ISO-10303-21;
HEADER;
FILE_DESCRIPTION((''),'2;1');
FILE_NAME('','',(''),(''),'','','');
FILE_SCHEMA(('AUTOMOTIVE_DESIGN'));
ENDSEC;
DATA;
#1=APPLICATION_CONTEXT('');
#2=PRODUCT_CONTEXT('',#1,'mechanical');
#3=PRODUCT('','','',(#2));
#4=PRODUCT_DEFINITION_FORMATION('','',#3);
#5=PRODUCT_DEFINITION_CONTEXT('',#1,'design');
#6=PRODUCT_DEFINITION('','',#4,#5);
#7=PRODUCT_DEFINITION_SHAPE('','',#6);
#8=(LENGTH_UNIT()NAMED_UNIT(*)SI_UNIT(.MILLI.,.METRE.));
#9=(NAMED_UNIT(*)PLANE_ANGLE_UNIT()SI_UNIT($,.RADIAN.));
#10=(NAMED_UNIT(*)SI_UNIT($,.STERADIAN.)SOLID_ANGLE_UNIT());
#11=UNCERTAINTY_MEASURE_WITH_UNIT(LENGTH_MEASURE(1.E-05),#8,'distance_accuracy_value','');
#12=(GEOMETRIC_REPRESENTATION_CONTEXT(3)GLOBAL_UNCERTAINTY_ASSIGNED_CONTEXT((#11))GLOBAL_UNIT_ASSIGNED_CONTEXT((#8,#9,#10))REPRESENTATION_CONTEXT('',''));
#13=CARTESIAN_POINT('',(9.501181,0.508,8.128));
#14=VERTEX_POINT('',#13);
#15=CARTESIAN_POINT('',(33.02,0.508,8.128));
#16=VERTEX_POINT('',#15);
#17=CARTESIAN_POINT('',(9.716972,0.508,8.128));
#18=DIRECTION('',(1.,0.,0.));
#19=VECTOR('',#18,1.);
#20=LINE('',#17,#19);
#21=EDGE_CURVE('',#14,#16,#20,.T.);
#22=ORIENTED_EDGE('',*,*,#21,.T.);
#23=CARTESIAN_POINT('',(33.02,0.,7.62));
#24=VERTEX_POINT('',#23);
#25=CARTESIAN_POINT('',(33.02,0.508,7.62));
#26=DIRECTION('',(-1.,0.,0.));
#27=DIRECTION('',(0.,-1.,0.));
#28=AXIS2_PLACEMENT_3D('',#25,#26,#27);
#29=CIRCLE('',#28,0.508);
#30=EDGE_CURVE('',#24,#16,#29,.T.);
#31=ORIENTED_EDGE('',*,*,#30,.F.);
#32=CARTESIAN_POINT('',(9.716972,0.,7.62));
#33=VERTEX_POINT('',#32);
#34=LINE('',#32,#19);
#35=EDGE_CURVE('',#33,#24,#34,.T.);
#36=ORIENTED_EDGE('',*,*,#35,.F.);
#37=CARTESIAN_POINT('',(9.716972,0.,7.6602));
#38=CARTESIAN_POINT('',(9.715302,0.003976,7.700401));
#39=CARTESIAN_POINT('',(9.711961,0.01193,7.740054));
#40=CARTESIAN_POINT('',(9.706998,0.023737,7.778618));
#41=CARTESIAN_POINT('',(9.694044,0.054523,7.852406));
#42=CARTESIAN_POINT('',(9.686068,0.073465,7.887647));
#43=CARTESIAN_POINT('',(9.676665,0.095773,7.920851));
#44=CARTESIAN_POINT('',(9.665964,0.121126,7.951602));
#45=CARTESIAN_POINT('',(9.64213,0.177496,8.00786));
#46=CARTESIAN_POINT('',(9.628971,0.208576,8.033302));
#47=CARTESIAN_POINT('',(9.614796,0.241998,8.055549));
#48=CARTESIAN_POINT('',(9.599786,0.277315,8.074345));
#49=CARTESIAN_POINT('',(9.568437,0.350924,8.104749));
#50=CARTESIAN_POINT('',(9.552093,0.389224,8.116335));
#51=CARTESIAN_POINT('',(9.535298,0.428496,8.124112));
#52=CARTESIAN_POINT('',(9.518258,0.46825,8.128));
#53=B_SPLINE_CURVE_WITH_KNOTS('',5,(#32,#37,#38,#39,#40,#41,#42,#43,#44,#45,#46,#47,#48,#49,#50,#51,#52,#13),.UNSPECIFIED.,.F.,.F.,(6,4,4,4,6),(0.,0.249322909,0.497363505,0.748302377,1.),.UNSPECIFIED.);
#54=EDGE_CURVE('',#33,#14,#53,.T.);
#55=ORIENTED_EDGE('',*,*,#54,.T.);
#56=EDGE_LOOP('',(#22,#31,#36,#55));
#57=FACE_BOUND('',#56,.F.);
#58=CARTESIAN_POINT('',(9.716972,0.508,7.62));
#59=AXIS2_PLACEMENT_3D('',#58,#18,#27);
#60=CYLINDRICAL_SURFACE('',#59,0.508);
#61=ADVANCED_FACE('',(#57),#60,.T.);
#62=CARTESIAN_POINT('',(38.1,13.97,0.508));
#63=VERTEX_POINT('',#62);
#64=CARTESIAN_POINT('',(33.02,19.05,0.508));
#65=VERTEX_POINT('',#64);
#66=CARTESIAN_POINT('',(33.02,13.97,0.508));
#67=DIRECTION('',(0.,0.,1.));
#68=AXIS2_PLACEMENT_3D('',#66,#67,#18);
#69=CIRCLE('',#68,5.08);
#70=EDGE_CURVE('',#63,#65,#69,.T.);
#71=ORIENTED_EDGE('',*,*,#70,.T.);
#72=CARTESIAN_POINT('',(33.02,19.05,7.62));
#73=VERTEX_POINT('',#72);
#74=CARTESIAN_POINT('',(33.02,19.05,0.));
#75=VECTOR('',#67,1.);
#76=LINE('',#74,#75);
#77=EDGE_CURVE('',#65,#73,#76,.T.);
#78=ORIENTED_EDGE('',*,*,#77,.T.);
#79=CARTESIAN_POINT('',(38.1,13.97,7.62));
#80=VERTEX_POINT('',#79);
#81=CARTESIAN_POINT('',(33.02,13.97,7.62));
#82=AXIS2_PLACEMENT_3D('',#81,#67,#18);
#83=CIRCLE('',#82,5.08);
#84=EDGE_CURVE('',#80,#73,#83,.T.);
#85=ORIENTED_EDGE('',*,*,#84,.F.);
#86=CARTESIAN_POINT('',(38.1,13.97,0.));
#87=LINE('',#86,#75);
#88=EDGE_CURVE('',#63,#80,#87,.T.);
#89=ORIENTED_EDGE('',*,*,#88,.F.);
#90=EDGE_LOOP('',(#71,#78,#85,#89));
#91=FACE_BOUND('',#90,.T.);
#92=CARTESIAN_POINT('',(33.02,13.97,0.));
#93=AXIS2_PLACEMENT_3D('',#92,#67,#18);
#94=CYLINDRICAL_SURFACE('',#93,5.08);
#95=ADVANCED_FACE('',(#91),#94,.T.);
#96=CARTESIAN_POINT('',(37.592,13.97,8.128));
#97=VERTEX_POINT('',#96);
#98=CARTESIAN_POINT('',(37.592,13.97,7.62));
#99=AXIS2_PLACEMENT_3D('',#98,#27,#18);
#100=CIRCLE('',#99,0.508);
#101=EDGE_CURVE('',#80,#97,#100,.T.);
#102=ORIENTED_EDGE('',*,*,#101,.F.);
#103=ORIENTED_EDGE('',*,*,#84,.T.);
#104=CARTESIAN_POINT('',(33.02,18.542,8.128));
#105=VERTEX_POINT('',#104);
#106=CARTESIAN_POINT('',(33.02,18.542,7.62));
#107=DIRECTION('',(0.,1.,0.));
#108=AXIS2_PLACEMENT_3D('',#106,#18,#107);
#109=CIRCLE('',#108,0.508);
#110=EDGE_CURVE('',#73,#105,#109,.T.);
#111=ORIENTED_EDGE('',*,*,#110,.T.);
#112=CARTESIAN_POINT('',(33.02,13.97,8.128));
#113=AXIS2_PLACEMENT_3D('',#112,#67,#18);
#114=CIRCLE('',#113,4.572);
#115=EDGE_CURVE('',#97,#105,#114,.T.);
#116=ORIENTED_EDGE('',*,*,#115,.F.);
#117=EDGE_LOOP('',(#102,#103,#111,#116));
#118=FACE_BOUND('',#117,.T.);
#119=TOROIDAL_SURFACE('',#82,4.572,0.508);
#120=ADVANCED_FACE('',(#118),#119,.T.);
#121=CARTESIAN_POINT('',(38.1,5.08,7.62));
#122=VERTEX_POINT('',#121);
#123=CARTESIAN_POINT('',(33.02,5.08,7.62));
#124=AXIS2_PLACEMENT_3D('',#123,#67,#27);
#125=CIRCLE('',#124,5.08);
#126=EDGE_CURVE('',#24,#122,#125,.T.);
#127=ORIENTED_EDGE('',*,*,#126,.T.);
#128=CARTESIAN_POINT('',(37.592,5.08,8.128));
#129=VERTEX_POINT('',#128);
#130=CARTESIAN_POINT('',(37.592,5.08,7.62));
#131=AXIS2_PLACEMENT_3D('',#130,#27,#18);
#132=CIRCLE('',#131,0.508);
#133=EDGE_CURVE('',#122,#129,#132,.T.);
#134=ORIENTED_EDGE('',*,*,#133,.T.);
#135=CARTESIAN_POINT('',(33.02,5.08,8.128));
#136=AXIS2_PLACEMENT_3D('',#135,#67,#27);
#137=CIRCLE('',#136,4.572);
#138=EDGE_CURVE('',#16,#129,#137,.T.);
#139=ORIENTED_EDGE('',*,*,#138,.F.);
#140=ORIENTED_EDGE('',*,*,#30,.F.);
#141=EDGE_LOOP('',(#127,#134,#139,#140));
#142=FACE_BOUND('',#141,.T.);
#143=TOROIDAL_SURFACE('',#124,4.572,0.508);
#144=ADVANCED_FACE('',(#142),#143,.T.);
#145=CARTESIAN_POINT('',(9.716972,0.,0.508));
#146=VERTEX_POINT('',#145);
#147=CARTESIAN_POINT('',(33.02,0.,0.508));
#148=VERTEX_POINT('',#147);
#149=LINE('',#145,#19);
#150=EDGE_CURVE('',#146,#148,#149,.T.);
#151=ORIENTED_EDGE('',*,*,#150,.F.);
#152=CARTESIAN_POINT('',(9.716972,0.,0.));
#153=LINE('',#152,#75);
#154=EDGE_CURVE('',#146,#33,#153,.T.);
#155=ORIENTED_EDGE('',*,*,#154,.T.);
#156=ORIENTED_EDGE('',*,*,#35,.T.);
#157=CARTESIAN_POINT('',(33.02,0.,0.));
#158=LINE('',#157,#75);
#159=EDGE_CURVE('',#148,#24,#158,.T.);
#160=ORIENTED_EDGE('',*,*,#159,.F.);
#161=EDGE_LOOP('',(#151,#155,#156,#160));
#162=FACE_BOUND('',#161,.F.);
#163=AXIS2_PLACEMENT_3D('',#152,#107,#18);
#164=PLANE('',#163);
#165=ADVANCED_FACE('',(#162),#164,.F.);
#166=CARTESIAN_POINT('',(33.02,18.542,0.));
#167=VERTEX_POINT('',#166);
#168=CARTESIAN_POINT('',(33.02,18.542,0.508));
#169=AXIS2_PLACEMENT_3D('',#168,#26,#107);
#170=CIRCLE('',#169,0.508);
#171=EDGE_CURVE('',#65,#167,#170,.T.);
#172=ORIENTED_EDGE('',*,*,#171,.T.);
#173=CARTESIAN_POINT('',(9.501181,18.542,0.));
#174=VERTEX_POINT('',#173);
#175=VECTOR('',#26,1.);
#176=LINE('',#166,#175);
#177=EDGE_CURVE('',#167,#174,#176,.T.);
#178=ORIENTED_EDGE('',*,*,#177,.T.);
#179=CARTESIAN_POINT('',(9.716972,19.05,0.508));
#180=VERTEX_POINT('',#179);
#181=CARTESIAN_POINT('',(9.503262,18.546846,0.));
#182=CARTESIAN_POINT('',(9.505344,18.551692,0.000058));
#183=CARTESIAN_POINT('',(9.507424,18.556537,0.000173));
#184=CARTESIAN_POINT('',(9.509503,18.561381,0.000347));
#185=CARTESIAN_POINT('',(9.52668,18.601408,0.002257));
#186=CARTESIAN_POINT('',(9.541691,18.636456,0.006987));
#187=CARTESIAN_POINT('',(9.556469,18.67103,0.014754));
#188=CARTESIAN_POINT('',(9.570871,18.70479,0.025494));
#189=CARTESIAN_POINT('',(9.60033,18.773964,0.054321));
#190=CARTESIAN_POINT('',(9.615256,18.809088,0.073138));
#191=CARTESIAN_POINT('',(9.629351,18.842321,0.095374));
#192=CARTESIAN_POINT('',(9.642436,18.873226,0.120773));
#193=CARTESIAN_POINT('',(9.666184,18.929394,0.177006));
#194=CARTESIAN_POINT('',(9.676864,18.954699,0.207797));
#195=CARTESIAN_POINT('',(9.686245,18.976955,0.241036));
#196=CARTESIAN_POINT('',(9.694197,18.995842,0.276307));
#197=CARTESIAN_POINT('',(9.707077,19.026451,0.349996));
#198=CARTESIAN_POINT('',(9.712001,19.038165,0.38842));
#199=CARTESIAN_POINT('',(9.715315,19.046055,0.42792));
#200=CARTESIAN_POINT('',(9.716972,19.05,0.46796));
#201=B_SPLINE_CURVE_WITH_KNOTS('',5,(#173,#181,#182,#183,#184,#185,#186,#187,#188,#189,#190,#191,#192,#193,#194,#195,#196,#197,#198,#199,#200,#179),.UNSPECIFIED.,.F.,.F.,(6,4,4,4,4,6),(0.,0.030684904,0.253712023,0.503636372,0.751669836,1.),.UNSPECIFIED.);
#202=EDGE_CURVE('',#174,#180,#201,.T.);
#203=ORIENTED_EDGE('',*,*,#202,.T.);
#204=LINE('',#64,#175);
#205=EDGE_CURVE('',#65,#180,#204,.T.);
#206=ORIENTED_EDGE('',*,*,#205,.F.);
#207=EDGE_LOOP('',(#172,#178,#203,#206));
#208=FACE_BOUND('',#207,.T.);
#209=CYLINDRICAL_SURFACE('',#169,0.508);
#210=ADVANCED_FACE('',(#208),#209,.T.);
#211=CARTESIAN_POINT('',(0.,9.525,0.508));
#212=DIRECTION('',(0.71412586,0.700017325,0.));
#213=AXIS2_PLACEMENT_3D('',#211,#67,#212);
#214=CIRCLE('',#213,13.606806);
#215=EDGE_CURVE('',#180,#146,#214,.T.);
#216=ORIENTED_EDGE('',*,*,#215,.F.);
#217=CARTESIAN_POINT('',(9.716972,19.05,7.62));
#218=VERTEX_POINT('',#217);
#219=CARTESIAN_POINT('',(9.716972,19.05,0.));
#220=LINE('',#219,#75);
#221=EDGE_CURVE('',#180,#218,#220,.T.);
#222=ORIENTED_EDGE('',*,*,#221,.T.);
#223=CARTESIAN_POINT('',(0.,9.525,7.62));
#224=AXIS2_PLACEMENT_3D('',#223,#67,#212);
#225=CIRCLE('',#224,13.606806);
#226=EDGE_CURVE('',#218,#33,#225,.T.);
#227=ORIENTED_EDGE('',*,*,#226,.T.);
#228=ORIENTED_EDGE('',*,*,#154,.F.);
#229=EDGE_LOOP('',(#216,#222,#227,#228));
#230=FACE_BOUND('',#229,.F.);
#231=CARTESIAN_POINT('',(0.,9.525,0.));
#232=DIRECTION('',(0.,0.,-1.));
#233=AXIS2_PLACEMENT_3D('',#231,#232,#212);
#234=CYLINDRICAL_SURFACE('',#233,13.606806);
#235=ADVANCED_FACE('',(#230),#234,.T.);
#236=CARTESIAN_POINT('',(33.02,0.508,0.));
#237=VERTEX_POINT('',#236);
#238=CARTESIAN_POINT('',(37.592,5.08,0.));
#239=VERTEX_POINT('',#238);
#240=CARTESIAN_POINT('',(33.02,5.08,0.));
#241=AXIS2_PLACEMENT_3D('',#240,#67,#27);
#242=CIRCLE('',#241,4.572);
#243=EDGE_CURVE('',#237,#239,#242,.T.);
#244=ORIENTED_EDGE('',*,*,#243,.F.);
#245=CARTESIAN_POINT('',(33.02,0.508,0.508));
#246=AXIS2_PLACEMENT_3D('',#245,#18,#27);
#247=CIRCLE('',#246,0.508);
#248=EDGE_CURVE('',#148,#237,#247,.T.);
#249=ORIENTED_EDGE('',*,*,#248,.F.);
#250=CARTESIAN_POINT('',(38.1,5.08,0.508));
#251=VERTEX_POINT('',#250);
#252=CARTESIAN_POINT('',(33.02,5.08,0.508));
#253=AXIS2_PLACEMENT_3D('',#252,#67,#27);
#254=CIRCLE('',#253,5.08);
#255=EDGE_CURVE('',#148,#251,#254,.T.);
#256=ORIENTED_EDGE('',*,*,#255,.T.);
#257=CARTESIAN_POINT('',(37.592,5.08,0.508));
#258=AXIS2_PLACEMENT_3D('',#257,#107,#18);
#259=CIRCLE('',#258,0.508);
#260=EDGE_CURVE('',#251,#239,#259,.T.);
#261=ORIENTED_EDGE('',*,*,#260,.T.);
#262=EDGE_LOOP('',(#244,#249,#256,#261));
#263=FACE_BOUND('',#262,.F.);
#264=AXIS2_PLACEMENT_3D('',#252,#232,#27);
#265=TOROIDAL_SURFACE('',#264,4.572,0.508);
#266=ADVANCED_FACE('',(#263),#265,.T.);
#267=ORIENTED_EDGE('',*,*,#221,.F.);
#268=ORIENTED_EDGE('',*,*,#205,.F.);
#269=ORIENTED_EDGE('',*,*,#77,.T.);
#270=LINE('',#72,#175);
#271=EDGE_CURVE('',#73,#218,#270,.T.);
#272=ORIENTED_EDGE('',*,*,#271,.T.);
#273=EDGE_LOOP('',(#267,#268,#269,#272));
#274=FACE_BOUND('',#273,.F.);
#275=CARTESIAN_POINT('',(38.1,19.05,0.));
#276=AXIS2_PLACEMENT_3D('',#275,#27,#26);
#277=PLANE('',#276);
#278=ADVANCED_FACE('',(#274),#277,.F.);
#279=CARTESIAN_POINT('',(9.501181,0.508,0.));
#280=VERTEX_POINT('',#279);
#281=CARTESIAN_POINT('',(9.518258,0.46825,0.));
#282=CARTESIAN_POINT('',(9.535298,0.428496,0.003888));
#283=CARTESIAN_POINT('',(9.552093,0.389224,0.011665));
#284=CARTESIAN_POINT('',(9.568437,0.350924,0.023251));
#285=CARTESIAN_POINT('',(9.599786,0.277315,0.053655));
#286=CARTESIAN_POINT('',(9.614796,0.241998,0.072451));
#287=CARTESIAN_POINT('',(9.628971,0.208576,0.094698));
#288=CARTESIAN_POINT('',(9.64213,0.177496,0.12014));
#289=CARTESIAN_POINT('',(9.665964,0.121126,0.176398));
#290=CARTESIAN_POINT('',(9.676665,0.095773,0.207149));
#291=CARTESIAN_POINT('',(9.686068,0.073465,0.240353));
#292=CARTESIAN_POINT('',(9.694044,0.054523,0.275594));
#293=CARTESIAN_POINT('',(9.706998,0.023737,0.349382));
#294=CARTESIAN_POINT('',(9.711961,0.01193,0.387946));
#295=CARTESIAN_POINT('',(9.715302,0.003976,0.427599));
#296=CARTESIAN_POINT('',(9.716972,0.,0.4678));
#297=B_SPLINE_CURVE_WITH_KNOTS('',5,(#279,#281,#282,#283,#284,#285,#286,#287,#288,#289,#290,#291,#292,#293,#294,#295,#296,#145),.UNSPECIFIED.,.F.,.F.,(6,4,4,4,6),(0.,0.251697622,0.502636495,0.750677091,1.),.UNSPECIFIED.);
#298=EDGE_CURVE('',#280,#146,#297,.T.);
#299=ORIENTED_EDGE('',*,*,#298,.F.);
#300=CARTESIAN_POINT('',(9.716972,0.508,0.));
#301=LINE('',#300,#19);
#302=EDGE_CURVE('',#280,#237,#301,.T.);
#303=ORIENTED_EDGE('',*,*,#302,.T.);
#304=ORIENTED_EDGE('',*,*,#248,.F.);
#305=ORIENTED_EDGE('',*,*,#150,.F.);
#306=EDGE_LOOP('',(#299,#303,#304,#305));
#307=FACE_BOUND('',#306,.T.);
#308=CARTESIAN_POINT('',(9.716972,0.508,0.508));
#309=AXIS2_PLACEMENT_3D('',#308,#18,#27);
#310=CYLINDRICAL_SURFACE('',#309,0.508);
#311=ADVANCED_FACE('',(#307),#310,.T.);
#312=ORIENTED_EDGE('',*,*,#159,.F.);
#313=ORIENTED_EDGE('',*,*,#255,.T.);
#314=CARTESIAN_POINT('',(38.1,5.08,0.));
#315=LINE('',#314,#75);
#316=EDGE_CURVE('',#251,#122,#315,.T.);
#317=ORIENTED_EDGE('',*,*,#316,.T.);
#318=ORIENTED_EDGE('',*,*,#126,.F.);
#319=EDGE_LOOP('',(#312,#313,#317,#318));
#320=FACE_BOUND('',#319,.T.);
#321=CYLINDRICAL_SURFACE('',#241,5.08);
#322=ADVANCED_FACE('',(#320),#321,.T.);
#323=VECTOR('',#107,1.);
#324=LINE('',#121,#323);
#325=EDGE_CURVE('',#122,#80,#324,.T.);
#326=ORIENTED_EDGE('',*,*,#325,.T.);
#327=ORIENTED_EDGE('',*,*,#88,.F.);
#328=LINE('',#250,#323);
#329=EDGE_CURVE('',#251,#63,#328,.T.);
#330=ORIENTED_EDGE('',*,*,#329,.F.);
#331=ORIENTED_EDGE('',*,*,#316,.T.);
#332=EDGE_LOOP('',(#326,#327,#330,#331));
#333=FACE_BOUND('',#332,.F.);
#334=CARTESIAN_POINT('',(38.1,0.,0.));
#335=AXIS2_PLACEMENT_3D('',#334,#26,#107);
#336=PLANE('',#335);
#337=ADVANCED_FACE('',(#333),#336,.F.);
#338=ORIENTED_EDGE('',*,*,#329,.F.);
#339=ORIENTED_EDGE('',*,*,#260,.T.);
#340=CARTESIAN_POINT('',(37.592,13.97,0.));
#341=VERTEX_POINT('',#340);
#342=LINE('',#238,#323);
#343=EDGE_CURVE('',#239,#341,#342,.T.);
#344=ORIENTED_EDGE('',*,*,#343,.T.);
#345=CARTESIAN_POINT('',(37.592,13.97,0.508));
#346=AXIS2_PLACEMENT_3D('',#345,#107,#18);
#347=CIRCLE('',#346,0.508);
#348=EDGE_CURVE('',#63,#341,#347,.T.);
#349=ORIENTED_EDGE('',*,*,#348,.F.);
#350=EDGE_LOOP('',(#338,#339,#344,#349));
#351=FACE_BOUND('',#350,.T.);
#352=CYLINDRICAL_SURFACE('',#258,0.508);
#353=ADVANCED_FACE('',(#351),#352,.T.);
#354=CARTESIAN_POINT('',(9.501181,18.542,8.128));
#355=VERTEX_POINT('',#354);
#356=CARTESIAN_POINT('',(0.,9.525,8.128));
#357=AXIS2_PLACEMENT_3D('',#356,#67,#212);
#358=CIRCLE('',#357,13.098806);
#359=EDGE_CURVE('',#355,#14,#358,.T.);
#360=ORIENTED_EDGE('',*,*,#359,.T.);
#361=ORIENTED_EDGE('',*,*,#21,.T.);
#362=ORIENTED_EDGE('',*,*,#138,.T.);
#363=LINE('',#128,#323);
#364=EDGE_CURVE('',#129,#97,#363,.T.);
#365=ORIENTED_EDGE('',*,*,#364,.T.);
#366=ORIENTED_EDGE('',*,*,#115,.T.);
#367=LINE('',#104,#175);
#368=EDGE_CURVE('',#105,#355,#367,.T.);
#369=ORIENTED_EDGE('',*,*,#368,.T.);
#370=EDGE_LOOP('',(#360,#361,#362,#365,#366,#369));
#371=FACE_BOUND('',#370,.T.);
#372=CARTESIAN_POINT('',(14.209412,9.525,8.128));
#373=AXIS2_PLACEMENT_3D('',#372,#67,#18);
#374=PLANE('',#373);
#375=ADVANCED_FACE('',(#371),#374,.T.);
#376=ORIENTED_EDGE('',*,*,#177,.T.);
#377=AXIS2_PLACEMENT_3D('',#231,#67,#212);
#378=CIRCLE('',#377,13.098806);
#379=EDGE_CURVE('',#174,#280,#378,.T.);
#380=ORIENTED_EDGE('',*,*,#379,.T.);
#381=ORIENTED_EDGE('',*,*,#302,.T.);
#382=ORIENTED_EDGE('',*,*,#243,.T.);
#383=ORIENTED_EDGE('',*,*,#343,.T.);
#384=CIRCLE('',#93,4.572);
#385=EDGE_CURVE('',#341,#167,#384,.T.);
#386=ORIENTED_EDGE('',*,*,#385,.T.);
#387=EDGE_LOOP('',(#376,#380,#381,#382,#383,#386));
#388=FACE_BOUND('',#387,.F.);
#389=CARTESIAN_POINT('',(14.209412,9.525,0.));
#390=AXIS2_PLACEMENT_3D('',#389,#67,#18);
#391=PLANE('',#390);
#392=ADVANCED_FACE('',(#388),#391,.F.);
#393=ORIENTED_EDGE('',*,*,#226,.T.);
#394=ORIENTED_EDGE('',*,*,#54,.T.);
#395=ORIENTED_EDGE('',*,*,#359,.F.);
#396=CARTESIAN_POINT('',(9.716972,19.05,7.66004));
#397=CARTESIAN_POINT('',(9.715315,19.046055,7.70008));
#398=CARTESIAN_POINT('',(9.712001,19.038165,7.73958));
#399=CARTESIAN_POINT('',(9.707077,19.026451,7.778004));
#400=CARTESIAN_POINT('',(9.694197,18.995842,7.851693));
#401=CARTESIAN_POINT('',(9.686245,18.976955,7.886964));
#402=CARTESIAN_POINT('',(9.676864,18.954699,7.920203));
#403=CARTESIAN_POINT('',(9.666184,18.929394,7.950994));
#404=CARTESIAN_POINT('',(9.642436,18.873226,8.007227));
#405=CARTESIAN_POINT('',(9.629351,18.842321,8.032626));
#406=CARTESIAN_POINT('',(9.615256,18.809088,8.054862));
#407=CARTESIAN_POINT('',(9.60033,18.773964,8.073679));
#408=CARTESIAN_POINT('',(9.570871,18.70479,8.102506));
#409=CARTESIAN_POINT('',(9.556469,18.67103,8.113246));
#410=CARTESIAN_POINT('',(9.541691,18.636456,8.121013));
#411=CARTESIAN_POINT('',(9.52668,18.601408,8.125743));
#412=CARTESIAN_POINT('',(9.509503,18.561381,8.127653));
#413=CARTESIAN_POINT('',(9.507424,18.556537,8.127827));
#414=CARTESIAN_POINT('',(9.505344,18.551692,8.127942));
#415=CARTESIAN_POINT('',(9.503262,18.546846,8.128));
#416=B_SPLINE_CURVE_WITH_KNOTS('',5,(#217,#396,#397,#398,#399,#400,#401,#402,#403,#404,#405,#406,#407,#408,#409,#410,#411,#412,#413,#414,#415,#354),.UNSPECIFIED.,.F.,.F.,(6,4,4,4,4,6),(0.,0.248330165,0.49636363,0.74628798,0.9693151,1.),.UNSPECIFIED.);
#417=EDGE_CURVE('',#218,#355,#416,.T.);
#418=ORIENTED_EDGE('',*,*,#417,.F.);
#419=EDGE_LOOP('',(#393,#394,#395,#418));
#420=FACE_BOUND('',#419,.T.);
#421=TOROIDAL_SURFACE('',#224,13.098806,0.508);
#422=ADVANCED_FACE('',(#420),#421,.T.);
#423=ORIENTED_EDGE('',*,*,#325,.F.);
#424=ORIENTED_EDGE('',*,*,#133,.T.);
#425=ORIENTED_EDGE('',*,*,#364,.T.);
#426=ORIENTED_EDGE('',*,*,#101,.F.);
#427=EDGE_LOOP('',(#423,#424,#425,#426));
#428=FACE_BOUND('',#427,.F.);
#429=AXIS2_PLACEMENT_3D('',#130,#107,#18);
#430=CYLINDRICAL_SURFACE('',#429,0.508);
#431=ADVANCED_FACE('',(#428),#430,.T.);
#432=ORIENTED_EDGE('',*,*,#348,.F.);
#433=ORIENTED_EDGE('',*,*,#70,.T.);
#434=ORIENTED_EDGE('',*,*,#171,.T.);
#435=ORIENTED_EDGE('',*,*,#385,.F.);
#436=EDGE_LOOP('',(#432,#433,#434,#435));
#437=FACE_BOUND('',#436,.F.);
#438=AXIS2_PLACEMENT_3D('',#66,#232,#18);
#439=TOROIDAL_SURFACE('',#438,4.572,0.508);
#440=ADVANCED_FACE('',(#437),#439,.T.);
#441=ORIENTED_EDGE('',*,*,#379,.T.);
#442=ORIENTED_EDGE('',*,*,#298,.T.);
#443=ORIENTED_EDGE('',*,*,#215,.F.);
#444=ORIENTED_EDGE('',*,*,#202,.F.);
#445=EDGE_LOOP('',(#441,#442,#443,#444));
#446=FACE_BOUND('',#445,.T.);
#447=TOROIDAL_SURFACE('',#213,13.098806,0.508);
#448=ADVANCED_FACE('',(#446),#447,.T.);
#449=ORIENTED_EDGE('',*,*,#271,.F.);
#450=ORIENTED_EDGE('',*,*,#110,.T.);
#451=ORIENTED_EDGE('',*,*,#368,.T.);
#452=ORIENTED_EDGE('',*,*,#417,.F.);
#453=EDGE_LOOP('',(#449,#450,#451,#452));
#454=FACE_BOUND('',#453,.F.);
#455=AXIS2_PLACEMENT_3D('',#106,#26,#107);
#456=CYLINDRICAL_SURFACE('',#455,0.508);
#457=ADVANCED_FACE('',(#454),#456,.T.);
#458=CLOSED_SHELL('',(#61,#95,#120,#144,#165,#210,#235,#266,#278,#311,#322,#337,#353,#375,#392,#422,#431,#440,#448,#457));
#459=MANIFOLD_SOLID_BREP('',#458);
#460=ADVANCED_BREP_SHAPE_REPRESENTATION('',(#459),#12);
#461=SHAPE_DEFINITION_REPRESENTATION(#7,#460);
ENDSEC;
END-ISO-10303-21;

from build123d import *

# Parameters (mm, degrees)
F1_DEPTH = 8.128
F2_R     = 5.08
F3_R     = 0.508


with BuildPart() as f1:
    # F0 (on Top) → F1 (new body)
    with BuildSketch(Plane.XY):
        with BuildLine():
            ThreePointArc((9.7169721006, 19.05), (-13.6068060839, 9.525), (9.7169721006, 0))
            Line((9.7169721006, 0), (38.1, 0))
            Line((38.1, 0), (38.1, 19.05))
            Line((38.1, 19.05), (9.7169721006, 19.05))
        make_face()
    extrude(amount=F1_DEPTH)

    # F2
    f2_edges = [f1.edges().sort_by_distance(p)[0] for p in [
        (38.1, 19.05, 4.064),
        (38.1, 0, 4.064),
    ]]
    fillet(f2_edges, radius=F2_R)

    # F3
    f3_edges = [f1.edges().sort_by_distance(p)[0] for p in [
        (-13.606806, 9.525, 8.128),
        (21.368486, 0, 8.128),
        (36.612102, 1.487898, 8.128),
        (38.1, 9.525, 8.128),
        (36.612102, 17.562102, 8.128),
        (21.368486, 19.05, 8.128),
        (-13.606806, 9.525, 0),
        (21.368486, 0, 0),
        (36.612102, 1.487898, 0),
        (38.1, 9.525, 0),
        (21.368486, 19.05, 0),
        (36.612102, 17.562102, 0),
    ]]
    fillet(f3_edges, radius=F3_R)


solid = f1.part
